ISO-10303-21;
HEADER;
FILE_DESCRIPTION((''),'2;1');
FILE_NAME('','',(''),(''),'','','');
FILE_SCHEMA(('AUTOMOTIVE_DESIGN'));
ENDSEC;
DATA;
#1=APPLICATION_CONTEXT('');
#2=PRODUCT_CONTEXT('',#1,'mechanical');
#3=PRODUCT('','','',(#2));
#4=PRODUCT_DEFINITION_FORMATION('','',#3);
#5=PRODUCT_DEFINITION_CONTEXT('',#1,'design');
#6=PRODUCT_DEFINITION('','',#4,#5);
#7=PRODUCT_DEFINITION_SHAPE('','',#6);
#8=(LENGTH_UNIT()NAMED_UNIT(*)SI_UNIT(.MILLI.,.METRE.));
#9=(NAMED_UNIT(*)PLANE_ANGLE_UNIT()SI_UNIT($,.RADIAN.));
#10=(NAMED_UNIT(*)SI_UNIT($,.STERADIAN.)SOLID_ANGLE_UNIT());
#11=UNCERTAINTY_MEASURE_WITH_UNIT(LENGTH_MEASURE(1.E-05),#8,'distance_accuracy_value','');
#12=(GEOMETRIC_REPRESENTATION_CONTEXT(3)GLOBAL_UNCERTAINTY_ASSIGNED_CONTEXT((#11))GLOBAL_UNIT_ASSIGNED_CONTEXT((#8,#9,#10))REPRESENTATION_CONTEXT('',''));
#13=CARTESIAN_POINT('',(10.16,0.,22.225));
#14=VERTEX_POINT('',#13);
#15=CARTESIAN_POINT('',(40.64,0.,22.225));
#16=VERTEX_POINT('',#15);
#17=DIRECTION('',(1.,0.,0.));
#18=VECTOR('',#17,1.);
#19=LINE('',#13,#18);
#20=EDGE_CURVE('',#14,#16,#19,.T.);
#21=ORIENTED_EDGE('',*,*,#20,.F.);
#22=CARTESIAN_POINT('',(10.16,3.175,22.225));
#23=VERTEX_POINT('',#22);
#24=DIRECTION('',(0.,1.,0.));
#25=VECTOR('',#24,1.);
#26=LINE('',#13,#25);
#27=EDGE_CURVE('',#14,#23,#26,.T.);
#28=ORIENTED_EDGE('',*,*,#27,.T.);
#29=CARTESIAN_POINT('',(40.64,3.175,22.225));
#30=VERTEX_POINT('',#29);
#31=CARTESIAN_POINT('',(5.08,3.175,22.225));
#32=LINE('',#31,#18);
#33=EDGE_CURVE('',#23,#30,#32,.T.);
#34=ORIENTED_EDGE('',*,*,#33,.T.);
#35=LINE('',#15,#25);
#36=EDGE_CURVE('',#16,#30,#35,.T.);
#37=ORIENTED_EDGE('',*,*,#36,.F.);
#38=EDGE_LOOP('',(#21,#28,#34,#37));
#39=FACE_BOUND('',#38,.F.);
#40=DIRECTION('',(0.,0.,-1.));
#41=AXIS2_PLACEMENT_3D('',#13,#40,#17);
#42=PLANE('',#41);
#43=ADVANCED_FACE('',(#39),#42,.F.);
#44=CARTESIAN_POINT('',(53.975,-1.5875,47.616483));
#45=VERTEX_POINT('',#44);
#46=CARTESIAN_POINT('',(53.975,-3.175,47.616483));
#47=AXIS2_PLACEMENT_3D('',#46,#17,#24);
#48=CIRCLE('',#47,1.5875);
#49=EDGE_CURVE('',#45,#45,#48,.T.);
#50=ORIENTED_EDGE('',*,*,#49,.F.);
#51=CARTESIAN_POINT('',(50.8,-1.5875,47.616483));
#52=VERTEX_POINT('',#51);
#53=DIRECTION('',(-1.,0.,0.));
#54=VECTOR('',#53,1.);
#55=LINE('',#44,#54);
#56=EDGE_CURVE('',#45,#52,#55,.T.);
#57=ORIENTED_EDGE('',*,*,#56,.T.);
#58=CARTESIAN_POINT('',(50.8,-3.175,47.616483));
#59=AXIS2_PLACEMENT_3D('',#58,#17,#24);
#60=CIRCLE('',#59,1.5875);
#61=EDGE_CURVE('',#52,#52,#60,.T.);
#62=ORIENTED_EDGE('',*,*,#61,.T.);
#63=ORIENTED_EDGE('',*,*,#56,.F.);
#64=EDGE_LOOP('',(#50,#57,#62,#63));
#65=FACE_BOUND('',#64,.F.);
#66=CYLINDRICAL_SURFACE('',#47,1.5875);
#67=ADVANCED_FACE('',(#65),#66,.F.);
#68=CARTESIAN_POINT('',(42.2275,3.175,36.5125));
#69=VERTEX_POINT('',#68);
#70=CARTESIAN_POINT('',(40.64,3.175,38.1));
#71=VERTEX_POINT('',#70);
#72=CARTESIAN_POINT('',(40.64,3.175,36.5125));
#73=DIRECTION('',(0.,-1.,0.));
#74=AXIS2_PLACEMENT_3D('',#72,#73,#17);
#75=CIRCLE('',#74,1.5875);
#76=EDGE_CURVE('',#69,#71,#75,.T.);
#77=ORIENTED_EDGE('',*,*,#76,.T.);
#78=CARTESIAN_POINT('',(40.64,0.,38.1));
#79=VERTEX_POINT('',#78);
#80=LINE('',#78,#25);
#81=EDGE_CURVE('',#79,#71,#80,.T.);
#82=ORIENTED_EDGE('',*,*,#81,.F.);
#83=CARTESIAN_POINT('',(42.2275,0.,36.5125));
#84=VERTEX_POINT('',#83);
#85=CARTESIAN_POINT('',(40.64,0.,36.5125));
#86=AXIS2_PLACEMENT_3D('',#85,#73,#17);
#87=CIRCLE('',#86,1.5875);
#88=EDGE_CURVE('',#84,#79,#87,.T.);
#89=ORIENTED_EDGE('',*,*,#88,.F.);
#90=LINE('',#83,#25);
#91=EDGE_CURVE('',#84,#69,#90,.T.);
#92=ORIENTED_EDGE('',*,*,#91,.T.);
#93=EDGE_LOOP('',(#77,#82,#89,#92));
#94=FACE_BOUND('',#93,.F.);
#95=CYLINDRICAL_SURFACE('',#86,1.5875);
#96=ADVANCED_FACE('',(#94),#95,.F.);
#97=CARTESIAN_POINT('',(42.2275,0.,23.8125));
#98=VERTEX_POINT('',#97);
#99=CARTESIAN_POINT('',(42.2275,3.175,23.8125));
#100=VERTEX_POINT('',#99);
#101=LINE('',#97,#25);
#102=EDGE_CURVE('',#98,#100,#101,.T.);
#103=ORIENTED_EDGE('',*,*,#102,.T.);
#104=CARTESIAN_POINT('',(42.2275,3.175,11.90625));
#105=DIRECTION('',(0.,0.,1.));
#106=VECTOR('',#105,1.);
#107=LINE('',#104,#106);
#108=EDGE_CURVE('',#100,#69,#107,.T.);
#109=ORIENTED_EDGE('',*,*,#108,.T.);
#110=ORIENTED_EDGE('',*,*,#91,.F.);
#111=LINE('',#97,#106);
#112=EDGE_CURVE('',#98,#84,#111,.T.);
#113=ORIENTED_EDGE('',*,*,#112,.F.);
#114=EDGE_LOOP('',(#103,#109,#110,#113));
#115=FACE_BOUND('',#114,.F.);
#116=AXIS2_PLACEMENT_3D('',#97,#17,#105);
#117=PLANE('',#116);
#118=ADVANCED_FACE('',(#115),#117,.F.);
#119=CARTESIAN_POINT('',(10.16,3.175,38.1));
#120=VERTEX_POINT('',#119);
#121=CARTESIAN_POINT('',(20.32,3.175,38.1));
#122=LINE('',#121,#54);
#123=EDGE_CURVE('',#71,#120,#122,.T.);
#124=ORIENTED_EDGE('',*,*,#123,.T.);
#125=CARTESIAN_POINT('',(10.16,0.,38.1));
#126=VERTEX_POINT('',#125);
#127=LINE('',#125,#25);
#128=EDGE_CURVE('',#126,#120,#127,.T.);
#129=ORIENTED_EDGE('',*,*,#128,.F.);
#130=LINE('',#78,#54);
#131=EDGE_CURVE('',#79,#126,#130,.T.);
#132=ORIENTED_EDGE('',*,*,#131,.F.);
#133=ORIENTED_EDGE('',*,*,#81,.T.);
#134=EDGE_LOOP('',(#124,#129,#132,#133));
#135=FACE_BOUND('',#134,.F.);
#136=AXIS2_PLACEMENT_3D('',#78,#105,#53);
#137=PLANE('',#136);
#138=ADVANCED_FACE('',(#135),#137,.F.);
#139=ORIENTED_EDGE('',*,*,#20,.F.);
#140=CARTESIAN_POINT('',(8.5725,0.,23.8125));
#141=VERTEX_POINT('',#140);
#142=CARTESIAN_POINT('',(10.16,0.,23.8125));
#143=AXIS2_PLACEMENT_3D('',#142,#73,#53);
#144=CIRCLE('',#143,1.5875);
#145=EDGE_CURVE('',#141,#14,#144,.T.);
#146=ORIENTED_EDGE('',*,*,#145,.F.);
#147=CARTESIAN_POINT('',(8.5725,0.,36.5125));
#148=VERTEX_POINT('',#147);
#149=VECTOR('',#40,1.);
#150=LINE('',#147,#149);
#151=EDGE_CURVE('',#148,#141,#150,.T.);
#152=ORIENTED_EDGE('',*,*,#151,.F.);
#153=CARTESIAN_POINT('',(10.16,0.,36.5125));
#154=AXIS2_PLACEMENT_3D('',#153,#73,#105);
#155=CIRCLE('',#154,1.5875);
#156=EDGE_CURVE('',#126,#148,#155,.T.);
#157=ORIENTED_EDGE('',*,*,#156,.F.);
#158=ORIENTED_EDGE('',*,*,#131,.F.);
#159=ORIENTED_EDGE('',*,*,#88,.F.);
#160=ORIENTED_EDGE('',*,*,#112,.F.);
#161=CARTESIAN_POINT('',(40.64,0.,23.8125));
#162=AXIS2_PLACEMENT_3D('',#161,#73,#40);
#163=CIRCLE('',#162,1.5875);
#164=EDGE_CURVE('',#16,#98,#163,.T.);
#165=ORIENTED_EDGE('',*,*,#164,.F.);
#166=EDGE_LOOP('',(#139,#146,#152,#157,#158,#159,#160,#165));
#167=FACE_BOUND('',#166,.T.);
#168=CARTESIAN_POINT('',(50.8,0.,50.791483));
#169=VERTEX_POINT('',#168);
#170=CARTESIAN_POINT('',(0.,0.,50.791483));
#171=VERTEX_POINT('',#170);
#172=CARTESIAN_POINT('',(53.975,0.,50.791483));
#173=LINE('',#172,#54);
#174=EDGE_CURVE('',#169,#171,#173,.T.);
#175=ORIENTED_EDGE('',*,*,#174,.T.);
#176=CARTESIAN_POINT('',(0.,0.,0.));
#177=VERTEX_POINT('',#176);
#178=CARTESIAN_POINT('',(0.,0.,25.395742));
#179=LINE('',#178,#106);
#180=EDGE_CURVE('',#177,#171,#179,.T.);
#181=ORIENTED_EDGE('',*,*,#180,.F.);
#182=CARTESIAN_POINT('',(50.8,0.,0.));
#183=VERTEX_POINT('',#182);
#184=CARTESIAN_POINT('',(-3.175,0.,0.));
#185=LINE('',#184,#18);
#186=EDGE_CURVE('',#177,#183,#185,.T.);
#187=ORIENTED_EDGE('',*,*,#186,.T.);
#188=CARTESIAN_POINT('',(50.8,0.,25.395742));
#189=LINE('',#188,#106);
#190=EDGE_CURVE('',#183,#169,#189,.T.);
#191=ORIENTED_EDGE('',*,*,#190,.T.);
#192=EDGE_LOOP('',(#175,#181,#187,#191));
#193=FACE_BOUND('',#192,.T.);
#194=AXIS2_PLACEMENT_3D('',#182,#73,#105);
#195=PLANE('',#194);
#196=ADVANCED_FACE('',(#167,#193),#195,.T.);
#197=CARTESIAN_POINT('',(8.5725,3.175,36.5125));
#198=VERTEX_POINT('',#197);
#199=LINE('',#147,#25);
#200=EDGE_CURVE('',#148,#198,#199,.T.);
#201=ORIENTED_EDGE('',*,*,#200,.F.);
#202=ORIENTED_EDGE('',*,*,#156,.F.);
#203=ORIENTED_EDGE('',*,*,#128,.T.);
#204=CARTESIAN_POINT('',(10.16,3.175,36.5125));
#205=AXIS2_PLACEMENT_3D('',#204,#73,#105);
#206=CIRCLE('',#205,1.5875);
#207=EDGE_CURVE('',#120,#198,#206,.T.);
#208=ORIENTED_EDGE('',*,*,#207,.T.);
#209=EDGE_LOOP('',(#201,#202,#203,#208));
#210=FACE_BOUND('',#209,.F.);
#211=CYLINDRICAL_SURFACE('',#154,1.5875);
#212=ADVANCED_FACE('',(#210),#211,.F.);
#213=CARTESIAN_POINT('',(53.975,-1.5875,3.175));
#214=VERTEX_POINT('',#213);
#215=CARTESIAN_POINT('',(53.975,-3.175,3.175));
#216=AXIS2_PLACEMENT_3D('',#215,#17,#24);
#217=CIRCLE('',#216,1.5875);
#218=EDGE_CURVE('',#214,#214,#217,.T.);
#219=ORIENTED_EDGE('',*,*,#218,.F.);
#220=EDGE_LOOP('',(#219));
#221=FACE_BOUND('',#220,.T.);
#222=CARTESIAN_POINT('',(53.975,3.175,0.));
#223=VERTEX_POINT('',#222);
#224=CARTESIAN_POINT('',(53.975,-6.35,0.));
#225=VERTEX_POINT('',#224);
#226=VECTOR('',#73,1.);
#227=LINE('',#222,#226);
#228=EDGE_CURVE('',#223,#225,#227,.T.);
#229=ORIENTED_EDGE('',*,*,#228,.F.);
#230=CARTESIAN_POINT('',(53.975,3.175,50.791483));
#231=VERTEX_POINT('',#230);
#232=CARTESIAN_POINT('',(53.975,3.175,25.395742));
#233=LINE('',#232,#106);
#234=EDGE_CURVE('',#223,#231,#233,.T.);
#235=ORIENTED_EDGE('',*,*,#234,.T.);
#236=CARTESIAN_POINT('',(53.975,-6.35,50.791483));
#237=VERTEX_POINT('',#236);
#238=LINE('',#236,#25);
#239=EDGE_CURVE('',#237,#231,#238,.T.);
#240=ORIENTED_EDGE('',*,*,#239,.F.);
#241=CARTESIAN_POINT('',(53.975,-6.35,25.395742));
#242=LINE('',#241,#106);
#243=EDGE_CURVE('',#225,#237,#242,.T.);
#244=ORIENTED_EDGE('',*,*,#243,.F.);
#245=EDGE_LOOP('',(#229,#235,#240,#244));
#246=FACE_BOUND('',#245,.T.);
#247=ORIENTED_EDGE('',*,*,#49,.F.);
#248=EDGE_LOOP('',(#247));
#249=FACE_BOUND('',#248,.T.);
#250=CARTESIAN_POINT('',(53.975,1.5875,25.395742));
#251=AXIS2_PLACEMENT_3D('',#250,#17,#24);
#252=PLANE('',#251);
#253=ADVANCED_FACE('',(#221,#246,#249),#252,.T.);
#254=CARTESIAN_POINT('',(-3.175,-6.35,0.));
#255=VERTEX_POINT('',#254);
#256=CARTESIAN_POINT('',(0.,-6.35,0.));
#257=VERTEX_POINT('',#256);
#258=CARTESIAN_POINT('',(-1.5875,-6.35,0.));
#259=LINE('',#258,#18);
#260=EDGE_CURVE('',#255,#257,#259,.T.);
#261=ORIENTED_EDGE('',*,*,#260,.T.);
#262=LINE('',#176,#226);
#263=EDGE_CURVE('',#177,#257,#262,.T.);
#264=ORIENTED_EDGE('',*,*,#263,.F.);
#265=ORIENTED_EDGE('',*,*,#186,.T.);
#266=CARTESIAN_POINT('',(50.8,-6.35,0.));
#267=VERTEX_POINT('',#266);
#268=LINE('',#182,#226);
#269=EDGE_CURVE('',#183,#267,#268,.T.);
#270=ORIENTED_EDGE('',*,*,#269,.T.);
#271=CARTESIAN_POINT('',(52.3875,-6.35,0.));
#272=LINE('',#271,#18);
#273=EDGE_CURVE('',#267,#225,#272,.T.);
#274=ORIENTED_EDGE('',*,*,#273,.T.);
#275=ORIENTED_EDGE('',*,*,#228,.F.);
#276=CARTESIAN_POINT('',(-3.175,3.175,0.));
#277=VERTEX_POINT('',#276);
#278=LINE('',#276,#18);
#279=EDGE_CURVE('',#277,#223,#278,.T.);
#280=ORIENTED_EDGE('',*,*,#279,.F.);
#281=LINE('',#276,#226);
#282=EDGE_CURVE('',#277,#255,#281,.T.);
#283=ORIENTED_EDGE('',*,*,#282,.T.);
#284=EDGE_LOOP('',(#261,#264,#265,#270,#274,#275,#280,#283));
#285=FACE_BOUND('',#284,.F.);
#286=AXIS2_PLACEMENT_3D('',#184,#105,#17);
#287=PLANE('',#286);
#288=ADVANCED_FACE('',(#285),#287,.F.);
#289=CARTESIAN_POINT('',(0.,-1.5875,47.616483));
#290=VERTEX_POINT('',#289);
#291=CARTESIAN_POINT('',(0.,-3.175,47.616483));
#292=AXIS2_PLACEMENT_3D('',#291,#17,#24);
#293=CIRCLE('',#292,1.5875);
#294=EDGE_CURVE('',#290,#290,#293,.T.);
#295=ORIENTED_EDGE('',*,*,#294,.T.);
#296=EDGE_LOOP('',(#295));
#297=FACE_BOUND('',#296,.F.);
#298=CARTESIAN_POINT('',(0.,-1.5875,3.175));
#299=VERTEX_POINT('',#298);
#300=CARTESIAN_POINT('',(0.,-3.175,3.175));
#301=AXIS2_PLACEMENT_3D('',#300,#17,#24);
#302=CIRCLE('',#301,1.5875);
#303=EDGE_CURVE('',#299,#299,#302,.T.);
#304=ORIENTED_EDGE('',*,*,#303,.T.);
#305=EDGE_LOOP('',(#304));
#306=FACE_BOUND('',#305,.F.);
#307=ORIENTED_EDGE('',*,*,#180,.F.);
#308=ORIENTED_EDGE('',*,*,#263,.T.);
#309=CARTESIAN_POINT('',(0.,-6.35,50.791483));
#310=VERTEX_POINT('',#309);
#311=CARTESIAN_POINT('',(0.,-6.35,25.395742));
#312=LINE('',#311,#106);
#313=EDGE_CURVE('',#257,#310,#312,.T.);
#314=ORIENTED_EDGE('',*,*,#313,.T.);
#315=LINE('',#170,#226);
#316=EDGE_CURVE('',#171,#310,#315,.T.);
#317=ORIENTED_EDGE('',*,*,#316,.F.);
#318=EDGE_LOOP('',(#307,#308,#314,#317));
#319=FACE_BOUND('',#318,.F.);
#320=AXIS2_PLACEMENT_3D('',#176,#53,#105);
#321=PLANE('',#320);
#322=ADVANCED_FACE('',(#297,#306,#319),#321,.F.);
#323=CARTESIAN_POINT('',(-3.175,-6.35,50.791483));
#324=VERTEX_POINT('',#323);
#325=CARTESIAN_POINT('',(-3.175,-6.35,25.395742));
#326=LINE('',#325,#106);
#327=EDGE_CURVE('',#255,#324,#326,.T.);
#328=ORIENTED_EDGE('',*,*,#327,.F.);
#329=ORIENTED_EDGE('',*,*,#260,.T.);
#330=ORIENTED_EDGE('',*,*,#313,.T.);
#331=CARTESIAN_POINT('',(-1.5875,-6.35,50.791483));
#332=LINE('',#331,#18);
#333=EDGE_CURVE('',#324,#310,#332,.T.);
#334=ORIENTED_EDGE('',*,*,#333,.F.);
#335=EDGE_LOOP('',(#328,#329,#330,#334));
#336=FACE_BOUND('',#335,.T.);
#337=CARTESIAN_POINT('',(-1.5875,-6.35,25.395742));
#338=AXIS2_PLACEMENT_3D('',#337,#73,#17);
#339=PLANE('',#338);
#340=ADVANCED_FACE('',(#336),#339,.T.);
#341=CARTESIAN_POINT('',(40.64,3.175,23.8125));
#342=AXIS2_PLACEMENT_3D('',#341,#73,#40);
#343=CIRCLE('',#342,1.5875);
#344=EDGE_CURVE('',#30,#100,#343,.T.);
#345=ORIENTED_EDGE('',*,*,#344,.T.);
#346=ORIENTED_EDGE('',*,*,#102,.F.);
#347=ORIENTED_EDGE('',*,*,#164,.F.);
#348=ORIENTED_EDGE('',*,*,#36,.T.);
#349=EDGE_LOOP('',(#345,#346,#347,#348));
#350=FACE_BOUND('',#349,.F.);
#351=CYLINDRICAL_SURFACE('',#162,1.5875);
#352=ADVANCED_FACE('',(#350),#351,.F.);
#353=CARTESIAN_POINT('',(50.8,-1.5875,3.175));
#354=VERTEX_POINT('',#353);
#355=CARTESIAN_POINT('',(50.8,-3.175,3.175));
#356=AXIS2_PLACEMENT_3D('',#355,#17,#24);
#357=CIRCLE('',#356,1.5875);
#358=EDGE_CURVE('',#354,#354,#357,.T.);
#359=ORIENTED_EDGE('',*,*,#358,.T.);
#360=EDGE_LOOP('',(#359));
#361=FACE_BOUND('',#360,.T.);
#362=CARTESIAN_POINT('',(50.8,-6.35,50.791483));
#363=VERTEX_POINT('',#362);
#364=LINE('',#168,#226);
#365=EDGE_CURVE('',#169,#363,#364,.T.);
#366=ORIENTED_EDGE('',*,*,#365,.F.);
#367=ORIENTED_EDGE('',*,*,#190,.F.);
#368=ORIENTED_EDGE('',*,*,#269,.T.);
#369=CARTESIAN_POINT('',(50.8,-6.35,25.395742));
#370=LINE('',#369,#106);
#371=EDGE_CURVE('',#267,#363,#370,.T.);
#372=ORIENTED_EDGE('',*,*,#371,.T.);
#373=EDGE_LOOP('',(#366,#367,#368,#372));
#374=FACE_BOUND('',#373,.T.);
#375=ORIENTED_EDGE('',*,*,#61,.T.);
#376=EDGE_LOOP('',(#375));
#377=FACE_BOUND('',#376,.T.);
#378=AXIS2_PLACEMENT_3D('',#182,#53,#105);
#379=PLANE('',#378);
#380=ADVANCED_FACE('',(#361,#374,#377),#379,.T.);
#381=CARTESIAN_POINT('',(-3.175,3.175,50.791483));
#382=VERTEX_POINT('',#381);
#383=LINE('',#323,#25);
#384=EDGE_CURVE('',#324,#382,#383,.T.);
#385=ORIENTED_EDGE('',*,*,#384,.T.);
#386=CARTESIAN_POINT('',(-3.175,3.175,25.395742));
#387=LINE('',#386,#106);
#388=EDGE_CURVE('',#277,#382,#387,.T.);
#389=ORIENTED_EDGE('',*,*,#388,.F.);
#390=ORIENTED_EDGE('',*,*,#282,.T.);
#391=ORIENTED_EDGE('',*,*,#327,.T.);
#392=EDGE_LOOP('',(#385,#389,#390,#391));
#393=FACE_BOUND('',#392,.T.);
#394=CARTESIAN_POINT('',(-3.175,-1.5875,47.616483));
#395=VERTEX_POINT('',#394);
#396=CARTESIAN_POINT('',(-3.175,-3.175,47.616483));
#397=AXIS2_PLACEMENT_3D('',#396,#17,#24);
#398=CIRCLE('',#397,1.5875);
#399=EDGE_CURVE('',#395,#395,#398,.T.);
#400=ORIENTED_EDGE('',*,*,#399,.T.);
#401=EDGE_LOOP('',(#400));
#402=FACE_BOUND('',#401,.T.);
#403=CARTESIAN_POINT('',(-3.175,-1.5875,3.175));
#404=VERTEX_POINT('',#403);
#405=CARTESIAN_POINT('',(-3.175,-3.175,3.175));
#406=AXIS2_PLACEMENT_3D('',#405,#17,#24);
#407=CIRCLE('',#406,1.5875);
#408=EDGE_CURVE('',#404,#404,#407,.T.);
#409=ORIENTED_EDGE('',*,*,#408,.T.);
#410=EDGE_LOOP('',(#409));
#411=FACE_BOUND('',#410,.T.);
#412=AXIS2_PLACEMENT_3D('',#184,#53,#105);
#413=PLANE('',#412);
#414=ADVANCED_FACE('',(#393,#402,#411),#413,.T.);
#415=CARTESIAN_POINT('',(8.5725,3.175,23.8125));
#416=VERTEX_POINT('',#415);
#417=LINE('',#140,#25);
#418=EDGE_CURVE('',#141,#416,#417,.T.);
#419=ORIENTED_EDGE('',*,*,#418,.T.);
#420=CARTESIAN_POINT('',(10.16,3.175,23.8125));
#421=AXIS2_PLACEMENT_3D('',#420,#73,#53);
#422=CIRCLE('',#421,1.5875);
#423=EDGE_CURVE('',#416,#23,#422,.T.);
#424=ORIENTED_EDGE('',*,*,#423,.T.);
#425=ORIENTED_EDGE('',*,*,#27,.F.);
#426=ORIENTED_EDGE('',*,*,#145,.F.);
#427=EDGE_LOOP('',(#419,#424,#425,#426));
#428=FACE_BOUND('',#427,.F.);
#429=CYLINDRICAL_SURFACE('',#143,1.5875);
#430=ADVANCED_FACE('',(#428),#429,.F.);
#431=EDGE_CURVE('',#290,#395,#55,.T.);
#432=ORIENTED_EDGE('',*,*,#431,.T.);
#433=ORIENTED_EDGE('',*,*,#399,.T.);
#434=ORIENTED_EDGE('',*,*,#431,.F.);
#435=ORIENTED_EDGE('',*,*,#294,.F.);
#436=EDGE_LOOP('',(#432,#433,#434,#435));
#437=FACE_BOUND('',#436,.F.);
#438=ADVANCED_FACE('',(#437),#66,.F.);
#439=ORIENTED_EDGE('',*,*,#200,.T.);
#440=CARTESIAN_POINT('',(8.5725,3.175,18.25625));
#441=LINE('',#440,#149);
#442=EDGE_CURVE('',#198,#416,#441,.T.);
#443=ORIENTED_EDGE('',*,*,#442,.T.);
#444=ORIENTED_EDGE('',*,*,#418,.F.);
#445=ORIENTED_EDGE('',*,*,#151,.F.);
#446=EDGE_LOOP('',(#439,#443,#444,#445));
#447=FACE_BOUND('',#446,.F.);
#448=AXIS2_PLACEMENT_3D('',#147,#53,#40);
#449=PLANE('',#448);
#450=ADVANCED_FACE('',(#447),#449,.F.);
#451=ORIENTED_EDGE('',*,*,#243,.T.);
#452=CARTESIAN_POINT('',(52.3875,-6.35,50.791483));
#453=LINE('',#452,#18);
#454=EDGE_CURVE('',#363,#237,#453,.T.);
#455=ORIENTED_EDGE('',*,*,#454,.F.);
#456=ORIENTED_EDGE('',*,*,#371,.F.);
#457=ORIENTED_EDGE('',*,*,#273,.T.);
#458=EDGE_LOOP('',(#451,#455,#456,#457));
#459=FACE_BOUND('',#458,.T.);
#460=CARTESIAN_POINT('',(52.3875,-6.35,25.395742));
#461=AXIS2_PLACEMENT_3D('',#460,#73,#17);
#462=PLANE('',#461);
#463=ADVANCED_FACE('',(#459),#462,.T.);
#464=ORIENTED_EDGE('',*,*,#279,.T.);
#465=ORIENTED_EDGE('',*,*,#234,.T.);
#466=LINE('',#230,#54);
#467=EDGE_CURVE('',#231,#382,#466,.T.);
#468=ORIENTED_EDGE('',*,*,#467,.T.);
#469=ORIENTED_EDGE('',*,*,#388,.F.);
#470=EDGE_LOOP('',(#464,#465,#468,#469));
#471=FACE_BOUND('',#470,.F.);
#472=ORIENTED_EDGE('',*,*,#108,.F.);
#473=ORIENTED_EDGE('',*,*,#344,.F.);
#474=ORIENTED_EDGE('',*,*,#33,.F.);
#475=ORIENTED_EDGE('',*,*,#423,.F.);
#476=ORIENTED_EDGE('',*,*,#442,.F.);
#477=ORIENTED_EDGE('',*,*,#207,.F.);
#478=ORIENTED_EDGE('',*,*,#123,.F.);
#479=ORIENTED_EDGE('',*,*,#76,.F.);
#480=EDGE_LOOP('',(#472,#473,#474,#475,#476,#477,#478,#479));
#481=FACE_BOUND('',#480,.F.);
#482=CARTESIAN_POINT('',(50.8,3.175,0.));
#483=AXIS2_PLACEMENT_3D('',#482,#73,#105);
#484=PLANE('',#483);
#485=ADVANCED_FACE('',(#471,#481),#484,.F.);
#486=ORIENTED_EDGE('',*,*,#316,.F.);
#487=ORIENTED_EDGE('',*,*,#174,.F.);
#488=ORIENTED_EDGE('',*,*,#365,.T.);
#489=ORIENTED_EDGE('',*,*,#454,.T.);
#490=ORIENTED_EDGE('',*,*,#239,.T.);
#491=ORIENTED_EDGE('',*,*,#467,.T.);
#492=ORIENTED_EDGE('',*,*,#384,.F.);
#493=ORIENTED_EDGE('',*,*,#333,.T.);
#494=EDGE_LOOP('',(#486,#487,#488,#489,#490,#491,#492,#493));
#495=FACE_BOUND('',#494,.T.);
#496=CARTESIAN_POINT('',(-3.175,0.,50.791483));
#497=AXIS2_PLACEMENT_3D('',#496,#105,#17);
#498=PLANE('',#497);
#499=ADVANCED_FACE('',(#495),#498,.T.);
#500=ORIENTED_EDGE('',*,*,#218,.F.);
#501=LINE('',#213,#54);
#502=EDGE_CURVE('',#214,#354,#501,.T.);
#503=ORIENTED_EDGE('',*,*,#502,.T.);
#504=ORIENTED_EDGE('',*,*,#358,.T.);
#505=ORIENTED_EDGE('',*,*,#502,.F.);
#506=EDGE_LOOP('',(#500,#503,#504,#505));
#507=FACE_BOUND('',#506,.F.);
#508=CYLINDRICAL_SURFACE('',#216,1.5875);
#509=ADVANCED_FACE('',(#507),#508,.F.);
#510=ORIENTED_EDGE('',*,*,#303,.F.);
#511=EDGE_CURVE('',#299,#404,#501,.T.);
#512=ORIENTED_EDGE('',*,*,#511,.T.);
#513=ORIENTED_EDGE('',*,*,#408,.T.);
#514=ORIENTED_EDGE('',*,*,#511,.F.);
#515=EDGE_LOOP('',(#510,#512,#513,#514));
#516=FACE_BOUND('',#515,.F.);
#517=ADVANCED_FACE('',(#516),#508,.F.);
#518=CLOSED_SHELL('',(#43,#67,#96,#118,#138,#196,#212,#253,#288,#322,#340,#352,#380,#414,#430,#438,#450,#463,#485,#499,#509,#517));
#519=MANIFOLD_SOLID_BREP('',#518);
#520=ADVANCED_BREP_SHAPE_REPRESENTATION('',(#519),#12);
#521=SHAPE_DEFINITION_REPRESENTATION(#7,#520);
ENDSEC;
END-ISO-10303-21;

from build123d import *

# Parameters (mm, degrees)
F0_W     = 3.175
F0_H     = 50.7914833724
F1_DEPTH = 50.8
F3_DEPTH = 3.176
F4_DEPTH = 3.175
F5_DEPTH = 3.175
F6_W     = 3.175
F6_H     = 50.7914833724
F7_DEPTH = 6.35
F8_R     = 1.5875
F9_DEPTH = 63.5


with BuildPart() as f1:
    # F0 (on Right) → F1 (new body)
    with BuildSketch(Plane.YZ):
        with Locations((1.5875, 25.3957416862)):
            Rectangle(F0_W, F0_H)
    extrude(amount=F1_DEPTH)

    # F2 (on face) → F3 (cut, through all)
    with BuildSketch(Plane.XZ):
        with BuildLine():
            Line((40.64, 38.1), (10.16, 38.1))
            ThreePointArc((10.16, 38.1), (9.0374679849, 37.6350320151), (8.5725, 36.5125))
            Line((8.5725, 36.5125), (8.5725, 23.8125))
            ThreePointArc((8.5725, 23.8125), (9.0374679849, 22.6899679849), (10.16, 22.225))
            Line((10.16, 22.225), (40.64, 22.225))
            ThreePointArc((40.64, 22.225), (41.7625320151, 22.6899679849), (42.2275, 23.8125))
            Line((42.2275, 23.8125), (42.2275, 36.5125))
            ThreePointArc((42.2275, 36.5125), (41.7625320151, 37.6350320151), (40.64, 38.1))
        make_face()
    extrude(amount=-F3_DEPTH, mode=Mode.SUBTRACT)

    # F4 (add): a face of the model
    f4_faces = [f1.faces().sort_by_distance(p)[0] for p in [
        (0, 1.5875, 25.3957416862),
    ]]
    extrude(f4_faces, amount=F4_DEPTH)

    # F5 (add): a face of the model
    f5_faces = [f1.faces().sort_by_distance(p)[0] for p in [
        (50.8, 1.5875, 25.3957416862),
    ]]
    extrude(f5_faces, amount=F5_DEPTH)

    # F6 (on face) → F7 (join)
    with BuildSketch(Plane.XZ):
        with Locations((-1.5875, 25.3957416862)):
            Rectangle(F6_W, F6_H)
        with Locations((52.3875, 25.3957416862)):
            Rectangle(F6_W, F6_H)
    extrude(amount=F7_DEPTH)

    # F8 (on face) → F9 (cut)
    with BuildSketch(Plane.YZ.offset(53.975)):
        with Locations((-3.175, 47.6164833724)):
            Circle(F8_R)
        with Locations((-3.175, 3.175)):
            Circle(F8_R)
    extrude(amount=-F9_DEPTH, mode=Mode.SUBTRACT)


solid = f1.part
